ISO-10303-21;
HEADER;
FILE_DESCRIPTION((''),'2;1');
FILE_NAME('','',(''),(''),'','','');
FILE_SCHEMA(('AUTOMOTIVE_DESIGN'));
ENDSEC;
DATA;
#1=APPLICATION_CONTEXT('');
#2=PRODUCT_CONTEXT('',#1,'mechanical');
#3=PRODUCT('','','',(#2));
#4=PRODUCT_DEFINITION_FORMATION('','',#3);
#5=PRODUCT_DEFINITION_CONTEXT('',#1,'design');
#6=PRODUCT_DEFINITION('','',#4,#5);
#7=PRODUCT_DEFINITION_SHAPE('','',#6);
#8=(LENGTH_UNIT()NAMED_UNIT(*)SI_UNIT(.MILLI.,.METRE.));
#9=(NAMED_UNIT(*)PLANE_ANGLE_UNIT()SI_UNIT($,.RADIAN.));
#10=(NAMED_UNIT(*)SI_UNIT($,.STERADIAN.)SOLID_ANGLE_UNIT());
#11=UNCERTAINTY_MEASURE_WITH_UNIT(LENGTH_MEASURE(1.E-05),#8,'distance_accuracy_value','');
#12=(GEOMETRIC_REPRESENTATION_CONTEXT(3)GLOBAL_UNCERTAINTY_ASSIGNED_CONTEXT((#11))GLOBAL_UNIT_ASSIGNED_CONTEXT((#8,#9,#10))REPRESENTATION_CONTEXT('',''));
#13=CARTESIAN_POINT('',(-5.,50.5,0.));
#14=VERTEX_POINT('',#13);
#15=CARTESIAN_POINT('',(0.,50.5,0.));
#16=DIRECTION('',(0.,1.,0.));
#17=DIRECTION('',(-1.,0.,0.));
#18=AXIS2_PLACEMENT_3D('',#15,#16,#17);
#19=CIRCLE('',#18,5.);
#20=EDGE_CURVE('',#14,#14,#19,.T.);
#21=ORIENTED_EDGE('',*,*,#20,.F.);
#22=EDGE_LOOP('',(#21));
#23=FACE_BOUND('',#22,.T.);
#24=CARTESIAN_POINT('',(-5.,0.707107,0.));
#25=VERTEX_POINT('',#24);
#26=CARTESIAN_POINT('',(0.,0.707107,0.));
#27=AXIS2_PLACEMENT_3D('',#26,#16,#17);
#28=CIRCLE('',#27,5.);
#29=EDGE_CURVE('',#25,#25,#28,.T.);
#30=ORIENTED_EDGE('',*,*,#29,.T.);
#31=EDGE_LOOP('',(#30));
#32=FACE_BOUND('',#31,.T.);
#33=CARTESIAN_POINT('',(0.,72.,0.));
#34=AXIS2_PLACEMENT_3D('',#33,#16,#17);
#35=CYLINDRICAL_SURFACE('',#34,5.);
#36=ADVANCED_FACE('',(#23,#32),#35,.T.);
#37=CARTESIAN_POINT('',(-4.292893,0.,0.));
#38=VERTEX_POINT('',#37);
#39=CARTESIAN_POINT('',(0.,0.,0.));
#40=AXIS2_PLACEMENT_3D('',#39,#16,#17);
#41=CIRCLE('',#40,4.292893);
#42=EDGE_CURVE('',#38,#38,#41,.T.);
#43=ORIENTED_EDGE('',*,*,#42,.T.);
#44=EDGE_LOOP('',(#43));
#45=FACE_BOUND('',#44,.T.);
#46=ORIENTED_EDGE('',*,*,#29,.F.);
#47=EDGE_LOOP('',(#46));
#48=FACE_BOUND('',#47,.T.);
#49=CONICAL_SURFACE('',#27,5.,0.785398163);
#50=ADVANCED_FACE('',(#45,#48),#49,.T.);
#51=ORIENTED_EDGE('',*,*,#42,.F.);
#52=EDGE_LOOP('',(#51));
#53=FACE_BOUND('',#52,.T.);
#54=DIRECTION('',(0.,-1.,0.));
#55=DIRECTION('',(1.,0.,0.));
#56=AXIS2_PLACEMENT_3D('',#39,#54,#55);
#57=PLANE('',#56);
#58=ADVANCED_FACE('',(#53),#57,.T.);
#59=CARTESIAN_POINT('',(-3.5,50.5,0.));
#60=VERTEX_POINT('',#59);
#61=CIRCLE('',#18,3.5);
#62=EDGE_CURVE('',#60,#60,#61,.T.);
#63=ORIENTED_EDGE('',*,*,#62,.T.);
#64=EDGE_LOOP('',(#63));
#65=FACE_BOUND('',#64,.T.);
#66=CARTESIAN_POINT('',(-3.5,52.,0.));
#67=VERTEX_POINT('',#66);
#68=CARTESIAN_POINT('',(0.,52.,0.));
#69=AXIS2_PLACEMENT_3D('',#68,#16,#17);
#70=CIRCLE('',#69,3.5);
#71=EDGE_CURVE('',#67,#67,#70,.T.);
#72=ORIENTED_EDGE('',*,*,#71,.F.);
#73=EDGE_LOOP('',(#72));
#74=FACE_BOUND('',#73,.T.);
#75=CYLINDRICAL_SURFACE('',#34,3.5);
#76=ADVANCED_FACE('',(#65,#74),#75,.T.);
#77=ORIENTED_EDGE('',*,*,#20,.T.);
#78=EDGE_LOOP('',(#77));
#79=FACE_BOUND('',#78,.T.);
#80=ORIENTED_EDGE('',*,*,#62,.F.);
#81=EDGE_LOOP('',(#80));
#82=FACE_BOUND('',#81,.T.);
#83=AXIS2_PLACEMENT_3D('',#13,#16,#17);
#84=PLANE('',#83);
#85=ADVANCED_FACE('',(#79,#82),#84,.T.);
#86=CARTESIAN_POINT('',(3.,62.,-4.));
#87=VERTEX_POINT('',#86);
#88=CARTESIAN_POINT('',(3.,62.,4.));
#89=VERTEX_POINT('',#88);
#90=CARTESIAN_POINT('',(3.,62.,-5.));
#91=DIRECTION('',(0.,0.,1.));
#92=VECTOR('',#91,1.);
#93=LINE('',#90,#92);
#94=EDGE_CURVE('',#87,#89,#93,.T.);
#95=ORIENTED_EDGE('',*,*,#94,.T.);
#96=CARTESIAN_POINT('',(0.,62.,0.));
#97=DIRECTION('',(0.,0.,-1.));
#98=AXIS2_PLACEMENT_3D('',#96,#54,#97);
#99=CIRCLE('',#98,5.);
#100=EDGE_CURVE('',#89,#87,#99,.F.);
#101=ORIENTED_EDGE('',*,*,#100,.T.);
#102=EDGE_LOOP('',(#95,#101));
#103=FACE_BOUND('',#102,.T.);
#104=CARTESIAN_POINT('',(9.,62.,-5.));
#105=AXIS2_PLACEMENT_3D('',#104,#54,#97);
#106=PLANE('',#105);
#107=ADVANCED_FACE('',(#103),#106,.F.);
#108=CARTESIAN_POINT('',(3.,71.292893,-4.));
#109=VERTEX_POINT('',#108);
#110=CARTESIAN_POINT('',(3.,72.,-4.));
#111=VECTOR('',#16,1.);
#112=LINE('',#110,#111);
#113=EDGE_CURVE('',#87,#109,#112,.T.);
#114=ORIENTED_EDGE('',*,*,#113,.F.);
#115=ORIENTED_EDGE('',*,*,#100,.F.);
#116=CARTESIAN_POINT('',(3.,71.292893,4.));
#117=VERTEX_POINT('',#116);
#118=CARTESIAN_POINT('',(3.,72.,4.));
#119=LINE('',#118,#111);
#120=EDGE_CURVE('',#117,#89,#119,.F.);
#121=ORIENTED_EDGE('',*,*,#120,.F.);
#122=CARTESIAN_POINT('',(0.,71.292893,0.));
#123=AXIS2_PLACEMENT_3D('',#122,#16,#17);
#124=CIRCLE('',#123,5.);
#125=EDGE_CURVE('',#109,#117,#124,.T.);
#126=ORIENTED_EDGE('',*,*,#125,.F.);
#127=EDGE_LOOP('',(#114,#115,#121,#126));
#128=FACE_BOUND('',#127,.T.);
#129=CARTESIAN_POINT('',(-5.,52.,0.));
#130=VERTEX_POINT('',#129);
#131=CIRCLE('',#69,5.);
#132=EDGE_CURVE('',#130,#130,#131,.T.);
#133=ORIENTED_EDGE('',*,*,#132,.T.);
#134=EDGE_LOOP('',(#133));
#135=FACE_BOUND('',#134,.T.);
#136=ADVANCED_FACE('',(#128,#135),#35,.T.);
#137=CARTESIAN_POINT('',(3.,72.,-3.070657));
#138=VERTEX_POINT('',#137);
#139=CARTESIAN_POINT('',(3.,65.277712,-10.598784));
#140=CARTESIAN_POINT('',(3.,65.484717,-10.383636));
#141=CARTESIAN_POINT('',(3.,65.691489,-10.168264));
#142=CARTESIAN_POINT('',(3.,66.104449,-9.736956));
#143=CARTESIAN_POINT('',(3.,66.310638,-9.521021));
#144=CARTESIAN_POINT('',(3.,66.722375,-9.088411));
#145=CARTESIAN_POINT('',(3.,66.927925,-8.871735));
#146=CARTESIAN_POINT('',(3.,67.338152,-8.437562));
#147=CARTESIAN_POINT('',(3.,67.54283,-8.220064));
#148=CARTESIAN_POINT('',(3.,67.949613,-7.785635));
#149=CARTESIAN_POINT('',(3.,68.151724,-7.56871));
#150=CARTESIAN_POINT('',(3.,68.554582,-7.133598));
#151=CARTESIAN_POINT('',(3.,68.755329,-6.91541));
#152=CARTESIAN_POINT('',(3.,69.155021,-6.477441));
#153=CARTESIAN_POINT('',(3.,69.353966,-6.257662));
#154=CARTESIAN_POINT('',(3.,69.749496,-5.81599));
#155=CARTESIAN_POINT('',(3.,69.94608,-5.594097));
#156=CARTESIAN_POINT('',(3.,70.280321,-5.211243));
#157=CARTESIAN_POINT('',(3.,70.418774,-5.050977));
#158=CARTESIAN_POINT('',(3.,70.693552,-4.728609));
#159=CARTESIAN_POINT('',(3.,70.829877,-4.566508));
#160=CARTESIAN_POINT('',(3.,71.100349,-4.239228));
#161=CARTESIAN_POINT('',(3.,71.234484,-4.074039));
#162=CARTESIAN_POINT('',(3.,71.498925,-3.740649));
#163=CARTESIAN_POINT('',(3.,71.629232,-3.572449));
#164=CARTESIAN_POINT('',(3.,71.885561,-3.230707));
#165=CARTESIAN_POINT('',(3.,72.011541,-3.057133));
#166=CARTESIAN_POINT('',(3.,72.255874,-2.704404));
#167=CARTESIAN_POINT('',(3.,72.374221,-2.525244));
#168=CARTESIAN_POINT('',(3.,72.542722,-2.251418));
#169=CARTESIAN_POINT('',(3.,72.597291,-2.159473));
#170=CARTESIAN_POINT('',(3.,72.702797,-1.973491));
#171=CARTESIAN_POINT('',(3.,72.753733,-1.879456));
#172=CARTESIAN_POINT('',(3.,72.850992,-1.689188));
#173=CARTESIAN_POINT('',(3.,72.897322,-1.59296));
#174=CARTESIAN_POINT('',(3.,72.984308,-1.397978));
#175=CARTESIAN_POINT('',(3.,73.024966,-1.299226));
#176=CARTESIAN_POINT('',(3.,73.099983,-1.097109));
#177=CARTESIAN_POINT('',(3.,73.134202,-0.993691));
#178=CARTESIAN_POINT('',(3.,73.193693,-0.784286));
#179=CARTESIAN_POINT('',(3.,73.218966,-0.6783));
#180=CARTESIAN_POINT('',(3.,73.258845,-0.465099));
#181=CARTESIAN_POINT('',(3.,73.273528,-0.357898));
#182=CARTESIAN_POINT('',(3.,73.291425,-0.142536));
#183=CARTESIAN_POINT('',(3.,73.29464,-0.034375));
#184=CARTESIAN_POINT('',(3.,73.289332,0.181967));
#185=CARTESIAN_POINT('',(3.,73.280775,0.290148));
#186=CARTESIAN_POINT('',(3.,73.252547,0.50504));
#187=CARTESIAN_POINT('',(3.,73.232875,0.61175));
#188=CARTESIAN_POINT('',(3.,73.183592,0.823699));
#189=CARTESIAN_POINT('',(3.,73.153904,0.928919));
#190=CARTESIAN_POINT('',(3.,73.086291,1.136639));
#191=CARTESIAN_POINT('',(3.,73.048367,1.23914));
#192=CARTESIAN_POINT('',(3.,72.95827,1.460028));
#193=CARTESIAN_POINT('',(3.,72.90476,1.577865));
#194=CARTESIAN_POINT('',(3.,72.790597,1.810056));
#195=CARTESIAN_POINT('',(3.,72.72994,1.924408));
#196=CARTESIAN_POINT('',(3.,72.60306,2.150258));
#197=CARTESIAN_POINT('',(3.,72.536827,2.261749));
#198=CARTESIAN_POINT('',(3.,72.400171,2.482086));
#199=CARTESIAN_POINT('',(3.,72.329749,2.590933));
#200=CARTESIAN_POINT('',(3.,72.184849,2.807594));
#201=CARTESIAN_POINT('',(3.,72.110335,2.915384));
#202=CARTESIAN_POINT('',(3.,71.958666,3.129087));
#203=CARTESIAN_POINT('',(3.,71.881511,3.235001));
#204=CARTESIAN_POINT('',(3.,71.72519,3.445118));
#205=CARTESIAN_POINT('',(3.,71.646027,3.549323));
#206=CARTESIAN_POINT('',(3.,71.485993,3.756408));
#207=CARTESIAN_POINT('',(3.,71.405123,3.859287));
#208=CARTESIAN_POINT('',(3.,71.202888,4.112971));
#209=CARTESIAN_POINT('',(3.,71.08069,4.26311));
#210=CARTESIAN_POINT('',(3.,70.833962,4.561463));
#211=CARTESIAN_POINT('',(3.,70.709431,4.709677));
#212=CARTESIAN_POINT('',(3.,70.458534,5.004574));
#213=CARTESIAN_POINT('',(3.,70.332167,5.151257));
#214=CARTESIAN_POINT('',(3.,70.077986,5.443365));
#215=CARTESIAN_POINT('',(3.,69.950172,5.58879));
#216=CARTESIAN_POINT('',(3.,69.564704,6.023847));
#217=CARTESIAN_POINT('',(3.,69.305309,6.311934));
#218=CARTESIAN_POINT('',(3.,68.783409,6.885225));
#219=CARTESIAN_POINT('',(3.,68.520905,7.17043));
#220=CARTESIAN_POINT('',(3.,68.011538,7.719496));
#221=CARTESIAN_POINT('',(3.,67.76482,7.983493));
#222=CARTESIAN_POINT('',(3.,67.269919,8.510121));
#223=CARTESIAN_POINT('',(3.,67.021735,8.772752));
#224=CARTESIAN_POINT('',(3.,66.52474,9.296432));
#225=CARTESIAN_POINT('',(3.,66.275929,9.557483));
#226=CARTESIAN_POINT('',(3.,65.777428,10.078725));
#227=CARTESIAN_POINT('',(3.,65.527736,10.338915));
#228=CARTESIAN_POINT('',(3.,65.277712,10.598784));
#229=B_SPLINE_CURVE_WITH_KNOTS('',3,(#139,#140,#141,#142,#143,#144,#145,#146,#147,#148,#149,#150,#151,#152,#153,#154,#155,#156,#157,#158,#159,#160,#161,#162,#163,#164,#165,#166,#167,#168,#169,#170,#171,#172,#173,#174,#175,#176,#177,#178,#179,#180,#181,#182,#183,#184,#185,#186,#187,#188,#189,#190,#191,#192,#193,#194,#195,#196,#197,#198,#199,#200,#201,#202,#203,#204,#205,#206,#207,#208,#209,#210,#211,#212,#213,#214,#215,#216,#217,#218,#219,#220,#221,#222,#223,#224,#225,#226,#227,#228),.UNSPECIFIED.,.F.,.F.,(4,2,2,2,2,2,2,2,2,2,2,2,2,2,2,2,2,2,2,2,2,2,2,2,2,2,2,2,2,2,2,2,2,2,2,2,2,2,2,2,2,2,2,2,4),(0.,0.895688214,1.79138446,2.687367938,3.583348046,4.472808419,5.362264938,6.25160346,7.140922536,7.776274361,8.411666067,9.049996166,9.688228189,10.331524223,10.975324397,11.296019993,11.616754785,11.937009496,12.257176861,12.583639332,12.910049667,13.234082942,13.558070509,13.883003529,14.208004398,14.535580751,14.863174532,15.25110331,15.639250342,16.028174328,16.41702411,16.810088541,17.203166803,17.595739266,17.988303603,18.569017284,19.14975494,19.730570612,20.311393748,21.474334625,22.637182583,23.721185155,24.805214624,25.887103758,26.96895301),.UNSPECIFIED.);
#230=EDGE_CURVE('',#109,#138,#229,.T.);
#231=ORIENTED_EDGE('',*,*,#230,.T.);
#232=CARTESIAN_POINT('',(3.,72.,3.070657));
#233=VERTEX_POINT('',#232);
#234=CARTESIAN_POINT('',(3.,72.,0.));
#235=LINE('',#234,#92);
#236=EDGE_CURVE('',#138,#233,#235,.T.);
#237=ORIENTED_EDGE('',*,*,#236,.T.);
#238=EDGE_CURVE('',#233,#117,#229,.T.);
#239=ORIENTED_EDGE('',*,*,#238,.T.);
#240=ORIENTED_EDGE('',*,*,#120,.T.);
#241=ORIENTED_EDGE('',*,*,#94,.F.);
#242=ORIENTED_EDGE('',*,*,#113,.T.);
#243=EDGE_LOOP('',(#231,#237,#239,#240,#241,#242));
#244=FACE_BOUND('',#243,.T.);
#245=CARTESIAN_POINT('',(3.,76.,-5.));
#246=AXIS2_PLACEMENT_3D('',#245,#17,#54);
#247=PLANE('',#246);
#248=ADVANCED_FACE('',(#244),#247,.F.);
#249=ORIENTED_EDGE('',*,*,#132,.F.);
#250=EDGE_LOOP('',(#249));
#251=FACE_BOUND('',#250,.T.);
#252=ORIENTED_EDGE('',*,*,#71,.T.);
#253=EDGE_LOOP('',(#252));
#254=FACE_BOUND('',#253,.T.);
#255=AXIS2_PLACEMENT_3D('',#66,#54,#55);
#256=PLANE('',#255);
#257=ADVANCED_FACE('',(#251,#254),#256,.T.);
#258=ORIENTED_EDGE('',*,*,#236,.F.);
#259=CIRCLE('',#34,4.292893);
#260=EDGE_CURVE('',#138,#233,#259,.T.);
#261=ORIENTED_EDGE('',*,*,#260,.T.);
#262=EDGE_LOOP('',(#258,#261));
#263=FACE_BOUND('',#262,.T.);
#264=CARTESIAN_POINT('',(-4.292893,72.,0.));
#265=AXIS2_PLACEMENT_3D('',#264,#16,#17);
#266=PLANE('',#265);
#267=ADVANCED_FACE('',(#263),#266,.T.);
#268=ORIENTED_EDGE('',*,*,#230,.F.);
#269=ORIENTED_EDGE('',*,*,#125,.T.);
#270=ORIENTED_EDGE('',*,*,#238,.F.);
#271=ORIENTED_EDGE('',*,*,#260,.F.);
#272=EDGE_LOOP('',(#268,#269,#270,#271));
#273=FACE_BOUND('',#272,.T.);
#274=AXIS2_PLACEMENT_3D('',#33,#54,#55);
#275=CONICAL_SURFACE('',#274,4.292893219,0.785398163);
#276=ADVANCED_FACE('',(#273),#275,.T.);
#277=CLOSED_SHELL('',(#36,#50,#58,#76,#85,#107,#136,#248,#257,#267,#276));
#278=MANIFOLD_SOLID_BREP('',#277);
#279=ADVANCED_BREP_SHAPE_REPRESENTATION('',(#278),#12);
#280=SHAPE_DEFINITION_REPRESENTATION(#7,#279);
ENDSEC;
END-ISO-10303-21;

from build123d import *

# Parameters (mm, degrees)
ENL_V_MAT_EXTRU_1_DEPTH      = 73.346388991
ENL_V_MAT_EXTRU_1_DEPTH_BACK = 73.346388991
ESQUISSE2_W                  = 6
ESQUISSE2_H                  = 14


with BuildPart() as part:
    # Esquisse1 → Révolution1 (revolve)
    with BuildSketch(Plane.XY):
        Polygon((0, 0), (-4.292893219, 0), (-5, 0.707106781), (-5, 50.5), (-3.5, 50.5), (-3.5, 52), (-5, 52), (-5, 71.292893219), (-4.292893219, 72), (0, 72), align=None)
    revolve(axis=Axis((0, 72, 0), (0, -1, 0)))

    # Esquisse2 → Enlèv. mat.-Extru.1 (cut, two sides: drawn at the far end of the back side and taken through both)
    with BuildSketch(Plane.XY.offset(-ENL_V_MAT_EXTRU_1_DEPTH_BACK)):
        with Locations((6, 69)):
            Rectangle(ESQUISSE2_W, ESQUISSE2_H)
    extrude(amount=ENL_V_MAT_EXTRU_1_DEPTH + ENL_V_MAT_EXTRU_1_DEPTH_BACK, mode=Mode.SUBTRACT)


solid = part.part
